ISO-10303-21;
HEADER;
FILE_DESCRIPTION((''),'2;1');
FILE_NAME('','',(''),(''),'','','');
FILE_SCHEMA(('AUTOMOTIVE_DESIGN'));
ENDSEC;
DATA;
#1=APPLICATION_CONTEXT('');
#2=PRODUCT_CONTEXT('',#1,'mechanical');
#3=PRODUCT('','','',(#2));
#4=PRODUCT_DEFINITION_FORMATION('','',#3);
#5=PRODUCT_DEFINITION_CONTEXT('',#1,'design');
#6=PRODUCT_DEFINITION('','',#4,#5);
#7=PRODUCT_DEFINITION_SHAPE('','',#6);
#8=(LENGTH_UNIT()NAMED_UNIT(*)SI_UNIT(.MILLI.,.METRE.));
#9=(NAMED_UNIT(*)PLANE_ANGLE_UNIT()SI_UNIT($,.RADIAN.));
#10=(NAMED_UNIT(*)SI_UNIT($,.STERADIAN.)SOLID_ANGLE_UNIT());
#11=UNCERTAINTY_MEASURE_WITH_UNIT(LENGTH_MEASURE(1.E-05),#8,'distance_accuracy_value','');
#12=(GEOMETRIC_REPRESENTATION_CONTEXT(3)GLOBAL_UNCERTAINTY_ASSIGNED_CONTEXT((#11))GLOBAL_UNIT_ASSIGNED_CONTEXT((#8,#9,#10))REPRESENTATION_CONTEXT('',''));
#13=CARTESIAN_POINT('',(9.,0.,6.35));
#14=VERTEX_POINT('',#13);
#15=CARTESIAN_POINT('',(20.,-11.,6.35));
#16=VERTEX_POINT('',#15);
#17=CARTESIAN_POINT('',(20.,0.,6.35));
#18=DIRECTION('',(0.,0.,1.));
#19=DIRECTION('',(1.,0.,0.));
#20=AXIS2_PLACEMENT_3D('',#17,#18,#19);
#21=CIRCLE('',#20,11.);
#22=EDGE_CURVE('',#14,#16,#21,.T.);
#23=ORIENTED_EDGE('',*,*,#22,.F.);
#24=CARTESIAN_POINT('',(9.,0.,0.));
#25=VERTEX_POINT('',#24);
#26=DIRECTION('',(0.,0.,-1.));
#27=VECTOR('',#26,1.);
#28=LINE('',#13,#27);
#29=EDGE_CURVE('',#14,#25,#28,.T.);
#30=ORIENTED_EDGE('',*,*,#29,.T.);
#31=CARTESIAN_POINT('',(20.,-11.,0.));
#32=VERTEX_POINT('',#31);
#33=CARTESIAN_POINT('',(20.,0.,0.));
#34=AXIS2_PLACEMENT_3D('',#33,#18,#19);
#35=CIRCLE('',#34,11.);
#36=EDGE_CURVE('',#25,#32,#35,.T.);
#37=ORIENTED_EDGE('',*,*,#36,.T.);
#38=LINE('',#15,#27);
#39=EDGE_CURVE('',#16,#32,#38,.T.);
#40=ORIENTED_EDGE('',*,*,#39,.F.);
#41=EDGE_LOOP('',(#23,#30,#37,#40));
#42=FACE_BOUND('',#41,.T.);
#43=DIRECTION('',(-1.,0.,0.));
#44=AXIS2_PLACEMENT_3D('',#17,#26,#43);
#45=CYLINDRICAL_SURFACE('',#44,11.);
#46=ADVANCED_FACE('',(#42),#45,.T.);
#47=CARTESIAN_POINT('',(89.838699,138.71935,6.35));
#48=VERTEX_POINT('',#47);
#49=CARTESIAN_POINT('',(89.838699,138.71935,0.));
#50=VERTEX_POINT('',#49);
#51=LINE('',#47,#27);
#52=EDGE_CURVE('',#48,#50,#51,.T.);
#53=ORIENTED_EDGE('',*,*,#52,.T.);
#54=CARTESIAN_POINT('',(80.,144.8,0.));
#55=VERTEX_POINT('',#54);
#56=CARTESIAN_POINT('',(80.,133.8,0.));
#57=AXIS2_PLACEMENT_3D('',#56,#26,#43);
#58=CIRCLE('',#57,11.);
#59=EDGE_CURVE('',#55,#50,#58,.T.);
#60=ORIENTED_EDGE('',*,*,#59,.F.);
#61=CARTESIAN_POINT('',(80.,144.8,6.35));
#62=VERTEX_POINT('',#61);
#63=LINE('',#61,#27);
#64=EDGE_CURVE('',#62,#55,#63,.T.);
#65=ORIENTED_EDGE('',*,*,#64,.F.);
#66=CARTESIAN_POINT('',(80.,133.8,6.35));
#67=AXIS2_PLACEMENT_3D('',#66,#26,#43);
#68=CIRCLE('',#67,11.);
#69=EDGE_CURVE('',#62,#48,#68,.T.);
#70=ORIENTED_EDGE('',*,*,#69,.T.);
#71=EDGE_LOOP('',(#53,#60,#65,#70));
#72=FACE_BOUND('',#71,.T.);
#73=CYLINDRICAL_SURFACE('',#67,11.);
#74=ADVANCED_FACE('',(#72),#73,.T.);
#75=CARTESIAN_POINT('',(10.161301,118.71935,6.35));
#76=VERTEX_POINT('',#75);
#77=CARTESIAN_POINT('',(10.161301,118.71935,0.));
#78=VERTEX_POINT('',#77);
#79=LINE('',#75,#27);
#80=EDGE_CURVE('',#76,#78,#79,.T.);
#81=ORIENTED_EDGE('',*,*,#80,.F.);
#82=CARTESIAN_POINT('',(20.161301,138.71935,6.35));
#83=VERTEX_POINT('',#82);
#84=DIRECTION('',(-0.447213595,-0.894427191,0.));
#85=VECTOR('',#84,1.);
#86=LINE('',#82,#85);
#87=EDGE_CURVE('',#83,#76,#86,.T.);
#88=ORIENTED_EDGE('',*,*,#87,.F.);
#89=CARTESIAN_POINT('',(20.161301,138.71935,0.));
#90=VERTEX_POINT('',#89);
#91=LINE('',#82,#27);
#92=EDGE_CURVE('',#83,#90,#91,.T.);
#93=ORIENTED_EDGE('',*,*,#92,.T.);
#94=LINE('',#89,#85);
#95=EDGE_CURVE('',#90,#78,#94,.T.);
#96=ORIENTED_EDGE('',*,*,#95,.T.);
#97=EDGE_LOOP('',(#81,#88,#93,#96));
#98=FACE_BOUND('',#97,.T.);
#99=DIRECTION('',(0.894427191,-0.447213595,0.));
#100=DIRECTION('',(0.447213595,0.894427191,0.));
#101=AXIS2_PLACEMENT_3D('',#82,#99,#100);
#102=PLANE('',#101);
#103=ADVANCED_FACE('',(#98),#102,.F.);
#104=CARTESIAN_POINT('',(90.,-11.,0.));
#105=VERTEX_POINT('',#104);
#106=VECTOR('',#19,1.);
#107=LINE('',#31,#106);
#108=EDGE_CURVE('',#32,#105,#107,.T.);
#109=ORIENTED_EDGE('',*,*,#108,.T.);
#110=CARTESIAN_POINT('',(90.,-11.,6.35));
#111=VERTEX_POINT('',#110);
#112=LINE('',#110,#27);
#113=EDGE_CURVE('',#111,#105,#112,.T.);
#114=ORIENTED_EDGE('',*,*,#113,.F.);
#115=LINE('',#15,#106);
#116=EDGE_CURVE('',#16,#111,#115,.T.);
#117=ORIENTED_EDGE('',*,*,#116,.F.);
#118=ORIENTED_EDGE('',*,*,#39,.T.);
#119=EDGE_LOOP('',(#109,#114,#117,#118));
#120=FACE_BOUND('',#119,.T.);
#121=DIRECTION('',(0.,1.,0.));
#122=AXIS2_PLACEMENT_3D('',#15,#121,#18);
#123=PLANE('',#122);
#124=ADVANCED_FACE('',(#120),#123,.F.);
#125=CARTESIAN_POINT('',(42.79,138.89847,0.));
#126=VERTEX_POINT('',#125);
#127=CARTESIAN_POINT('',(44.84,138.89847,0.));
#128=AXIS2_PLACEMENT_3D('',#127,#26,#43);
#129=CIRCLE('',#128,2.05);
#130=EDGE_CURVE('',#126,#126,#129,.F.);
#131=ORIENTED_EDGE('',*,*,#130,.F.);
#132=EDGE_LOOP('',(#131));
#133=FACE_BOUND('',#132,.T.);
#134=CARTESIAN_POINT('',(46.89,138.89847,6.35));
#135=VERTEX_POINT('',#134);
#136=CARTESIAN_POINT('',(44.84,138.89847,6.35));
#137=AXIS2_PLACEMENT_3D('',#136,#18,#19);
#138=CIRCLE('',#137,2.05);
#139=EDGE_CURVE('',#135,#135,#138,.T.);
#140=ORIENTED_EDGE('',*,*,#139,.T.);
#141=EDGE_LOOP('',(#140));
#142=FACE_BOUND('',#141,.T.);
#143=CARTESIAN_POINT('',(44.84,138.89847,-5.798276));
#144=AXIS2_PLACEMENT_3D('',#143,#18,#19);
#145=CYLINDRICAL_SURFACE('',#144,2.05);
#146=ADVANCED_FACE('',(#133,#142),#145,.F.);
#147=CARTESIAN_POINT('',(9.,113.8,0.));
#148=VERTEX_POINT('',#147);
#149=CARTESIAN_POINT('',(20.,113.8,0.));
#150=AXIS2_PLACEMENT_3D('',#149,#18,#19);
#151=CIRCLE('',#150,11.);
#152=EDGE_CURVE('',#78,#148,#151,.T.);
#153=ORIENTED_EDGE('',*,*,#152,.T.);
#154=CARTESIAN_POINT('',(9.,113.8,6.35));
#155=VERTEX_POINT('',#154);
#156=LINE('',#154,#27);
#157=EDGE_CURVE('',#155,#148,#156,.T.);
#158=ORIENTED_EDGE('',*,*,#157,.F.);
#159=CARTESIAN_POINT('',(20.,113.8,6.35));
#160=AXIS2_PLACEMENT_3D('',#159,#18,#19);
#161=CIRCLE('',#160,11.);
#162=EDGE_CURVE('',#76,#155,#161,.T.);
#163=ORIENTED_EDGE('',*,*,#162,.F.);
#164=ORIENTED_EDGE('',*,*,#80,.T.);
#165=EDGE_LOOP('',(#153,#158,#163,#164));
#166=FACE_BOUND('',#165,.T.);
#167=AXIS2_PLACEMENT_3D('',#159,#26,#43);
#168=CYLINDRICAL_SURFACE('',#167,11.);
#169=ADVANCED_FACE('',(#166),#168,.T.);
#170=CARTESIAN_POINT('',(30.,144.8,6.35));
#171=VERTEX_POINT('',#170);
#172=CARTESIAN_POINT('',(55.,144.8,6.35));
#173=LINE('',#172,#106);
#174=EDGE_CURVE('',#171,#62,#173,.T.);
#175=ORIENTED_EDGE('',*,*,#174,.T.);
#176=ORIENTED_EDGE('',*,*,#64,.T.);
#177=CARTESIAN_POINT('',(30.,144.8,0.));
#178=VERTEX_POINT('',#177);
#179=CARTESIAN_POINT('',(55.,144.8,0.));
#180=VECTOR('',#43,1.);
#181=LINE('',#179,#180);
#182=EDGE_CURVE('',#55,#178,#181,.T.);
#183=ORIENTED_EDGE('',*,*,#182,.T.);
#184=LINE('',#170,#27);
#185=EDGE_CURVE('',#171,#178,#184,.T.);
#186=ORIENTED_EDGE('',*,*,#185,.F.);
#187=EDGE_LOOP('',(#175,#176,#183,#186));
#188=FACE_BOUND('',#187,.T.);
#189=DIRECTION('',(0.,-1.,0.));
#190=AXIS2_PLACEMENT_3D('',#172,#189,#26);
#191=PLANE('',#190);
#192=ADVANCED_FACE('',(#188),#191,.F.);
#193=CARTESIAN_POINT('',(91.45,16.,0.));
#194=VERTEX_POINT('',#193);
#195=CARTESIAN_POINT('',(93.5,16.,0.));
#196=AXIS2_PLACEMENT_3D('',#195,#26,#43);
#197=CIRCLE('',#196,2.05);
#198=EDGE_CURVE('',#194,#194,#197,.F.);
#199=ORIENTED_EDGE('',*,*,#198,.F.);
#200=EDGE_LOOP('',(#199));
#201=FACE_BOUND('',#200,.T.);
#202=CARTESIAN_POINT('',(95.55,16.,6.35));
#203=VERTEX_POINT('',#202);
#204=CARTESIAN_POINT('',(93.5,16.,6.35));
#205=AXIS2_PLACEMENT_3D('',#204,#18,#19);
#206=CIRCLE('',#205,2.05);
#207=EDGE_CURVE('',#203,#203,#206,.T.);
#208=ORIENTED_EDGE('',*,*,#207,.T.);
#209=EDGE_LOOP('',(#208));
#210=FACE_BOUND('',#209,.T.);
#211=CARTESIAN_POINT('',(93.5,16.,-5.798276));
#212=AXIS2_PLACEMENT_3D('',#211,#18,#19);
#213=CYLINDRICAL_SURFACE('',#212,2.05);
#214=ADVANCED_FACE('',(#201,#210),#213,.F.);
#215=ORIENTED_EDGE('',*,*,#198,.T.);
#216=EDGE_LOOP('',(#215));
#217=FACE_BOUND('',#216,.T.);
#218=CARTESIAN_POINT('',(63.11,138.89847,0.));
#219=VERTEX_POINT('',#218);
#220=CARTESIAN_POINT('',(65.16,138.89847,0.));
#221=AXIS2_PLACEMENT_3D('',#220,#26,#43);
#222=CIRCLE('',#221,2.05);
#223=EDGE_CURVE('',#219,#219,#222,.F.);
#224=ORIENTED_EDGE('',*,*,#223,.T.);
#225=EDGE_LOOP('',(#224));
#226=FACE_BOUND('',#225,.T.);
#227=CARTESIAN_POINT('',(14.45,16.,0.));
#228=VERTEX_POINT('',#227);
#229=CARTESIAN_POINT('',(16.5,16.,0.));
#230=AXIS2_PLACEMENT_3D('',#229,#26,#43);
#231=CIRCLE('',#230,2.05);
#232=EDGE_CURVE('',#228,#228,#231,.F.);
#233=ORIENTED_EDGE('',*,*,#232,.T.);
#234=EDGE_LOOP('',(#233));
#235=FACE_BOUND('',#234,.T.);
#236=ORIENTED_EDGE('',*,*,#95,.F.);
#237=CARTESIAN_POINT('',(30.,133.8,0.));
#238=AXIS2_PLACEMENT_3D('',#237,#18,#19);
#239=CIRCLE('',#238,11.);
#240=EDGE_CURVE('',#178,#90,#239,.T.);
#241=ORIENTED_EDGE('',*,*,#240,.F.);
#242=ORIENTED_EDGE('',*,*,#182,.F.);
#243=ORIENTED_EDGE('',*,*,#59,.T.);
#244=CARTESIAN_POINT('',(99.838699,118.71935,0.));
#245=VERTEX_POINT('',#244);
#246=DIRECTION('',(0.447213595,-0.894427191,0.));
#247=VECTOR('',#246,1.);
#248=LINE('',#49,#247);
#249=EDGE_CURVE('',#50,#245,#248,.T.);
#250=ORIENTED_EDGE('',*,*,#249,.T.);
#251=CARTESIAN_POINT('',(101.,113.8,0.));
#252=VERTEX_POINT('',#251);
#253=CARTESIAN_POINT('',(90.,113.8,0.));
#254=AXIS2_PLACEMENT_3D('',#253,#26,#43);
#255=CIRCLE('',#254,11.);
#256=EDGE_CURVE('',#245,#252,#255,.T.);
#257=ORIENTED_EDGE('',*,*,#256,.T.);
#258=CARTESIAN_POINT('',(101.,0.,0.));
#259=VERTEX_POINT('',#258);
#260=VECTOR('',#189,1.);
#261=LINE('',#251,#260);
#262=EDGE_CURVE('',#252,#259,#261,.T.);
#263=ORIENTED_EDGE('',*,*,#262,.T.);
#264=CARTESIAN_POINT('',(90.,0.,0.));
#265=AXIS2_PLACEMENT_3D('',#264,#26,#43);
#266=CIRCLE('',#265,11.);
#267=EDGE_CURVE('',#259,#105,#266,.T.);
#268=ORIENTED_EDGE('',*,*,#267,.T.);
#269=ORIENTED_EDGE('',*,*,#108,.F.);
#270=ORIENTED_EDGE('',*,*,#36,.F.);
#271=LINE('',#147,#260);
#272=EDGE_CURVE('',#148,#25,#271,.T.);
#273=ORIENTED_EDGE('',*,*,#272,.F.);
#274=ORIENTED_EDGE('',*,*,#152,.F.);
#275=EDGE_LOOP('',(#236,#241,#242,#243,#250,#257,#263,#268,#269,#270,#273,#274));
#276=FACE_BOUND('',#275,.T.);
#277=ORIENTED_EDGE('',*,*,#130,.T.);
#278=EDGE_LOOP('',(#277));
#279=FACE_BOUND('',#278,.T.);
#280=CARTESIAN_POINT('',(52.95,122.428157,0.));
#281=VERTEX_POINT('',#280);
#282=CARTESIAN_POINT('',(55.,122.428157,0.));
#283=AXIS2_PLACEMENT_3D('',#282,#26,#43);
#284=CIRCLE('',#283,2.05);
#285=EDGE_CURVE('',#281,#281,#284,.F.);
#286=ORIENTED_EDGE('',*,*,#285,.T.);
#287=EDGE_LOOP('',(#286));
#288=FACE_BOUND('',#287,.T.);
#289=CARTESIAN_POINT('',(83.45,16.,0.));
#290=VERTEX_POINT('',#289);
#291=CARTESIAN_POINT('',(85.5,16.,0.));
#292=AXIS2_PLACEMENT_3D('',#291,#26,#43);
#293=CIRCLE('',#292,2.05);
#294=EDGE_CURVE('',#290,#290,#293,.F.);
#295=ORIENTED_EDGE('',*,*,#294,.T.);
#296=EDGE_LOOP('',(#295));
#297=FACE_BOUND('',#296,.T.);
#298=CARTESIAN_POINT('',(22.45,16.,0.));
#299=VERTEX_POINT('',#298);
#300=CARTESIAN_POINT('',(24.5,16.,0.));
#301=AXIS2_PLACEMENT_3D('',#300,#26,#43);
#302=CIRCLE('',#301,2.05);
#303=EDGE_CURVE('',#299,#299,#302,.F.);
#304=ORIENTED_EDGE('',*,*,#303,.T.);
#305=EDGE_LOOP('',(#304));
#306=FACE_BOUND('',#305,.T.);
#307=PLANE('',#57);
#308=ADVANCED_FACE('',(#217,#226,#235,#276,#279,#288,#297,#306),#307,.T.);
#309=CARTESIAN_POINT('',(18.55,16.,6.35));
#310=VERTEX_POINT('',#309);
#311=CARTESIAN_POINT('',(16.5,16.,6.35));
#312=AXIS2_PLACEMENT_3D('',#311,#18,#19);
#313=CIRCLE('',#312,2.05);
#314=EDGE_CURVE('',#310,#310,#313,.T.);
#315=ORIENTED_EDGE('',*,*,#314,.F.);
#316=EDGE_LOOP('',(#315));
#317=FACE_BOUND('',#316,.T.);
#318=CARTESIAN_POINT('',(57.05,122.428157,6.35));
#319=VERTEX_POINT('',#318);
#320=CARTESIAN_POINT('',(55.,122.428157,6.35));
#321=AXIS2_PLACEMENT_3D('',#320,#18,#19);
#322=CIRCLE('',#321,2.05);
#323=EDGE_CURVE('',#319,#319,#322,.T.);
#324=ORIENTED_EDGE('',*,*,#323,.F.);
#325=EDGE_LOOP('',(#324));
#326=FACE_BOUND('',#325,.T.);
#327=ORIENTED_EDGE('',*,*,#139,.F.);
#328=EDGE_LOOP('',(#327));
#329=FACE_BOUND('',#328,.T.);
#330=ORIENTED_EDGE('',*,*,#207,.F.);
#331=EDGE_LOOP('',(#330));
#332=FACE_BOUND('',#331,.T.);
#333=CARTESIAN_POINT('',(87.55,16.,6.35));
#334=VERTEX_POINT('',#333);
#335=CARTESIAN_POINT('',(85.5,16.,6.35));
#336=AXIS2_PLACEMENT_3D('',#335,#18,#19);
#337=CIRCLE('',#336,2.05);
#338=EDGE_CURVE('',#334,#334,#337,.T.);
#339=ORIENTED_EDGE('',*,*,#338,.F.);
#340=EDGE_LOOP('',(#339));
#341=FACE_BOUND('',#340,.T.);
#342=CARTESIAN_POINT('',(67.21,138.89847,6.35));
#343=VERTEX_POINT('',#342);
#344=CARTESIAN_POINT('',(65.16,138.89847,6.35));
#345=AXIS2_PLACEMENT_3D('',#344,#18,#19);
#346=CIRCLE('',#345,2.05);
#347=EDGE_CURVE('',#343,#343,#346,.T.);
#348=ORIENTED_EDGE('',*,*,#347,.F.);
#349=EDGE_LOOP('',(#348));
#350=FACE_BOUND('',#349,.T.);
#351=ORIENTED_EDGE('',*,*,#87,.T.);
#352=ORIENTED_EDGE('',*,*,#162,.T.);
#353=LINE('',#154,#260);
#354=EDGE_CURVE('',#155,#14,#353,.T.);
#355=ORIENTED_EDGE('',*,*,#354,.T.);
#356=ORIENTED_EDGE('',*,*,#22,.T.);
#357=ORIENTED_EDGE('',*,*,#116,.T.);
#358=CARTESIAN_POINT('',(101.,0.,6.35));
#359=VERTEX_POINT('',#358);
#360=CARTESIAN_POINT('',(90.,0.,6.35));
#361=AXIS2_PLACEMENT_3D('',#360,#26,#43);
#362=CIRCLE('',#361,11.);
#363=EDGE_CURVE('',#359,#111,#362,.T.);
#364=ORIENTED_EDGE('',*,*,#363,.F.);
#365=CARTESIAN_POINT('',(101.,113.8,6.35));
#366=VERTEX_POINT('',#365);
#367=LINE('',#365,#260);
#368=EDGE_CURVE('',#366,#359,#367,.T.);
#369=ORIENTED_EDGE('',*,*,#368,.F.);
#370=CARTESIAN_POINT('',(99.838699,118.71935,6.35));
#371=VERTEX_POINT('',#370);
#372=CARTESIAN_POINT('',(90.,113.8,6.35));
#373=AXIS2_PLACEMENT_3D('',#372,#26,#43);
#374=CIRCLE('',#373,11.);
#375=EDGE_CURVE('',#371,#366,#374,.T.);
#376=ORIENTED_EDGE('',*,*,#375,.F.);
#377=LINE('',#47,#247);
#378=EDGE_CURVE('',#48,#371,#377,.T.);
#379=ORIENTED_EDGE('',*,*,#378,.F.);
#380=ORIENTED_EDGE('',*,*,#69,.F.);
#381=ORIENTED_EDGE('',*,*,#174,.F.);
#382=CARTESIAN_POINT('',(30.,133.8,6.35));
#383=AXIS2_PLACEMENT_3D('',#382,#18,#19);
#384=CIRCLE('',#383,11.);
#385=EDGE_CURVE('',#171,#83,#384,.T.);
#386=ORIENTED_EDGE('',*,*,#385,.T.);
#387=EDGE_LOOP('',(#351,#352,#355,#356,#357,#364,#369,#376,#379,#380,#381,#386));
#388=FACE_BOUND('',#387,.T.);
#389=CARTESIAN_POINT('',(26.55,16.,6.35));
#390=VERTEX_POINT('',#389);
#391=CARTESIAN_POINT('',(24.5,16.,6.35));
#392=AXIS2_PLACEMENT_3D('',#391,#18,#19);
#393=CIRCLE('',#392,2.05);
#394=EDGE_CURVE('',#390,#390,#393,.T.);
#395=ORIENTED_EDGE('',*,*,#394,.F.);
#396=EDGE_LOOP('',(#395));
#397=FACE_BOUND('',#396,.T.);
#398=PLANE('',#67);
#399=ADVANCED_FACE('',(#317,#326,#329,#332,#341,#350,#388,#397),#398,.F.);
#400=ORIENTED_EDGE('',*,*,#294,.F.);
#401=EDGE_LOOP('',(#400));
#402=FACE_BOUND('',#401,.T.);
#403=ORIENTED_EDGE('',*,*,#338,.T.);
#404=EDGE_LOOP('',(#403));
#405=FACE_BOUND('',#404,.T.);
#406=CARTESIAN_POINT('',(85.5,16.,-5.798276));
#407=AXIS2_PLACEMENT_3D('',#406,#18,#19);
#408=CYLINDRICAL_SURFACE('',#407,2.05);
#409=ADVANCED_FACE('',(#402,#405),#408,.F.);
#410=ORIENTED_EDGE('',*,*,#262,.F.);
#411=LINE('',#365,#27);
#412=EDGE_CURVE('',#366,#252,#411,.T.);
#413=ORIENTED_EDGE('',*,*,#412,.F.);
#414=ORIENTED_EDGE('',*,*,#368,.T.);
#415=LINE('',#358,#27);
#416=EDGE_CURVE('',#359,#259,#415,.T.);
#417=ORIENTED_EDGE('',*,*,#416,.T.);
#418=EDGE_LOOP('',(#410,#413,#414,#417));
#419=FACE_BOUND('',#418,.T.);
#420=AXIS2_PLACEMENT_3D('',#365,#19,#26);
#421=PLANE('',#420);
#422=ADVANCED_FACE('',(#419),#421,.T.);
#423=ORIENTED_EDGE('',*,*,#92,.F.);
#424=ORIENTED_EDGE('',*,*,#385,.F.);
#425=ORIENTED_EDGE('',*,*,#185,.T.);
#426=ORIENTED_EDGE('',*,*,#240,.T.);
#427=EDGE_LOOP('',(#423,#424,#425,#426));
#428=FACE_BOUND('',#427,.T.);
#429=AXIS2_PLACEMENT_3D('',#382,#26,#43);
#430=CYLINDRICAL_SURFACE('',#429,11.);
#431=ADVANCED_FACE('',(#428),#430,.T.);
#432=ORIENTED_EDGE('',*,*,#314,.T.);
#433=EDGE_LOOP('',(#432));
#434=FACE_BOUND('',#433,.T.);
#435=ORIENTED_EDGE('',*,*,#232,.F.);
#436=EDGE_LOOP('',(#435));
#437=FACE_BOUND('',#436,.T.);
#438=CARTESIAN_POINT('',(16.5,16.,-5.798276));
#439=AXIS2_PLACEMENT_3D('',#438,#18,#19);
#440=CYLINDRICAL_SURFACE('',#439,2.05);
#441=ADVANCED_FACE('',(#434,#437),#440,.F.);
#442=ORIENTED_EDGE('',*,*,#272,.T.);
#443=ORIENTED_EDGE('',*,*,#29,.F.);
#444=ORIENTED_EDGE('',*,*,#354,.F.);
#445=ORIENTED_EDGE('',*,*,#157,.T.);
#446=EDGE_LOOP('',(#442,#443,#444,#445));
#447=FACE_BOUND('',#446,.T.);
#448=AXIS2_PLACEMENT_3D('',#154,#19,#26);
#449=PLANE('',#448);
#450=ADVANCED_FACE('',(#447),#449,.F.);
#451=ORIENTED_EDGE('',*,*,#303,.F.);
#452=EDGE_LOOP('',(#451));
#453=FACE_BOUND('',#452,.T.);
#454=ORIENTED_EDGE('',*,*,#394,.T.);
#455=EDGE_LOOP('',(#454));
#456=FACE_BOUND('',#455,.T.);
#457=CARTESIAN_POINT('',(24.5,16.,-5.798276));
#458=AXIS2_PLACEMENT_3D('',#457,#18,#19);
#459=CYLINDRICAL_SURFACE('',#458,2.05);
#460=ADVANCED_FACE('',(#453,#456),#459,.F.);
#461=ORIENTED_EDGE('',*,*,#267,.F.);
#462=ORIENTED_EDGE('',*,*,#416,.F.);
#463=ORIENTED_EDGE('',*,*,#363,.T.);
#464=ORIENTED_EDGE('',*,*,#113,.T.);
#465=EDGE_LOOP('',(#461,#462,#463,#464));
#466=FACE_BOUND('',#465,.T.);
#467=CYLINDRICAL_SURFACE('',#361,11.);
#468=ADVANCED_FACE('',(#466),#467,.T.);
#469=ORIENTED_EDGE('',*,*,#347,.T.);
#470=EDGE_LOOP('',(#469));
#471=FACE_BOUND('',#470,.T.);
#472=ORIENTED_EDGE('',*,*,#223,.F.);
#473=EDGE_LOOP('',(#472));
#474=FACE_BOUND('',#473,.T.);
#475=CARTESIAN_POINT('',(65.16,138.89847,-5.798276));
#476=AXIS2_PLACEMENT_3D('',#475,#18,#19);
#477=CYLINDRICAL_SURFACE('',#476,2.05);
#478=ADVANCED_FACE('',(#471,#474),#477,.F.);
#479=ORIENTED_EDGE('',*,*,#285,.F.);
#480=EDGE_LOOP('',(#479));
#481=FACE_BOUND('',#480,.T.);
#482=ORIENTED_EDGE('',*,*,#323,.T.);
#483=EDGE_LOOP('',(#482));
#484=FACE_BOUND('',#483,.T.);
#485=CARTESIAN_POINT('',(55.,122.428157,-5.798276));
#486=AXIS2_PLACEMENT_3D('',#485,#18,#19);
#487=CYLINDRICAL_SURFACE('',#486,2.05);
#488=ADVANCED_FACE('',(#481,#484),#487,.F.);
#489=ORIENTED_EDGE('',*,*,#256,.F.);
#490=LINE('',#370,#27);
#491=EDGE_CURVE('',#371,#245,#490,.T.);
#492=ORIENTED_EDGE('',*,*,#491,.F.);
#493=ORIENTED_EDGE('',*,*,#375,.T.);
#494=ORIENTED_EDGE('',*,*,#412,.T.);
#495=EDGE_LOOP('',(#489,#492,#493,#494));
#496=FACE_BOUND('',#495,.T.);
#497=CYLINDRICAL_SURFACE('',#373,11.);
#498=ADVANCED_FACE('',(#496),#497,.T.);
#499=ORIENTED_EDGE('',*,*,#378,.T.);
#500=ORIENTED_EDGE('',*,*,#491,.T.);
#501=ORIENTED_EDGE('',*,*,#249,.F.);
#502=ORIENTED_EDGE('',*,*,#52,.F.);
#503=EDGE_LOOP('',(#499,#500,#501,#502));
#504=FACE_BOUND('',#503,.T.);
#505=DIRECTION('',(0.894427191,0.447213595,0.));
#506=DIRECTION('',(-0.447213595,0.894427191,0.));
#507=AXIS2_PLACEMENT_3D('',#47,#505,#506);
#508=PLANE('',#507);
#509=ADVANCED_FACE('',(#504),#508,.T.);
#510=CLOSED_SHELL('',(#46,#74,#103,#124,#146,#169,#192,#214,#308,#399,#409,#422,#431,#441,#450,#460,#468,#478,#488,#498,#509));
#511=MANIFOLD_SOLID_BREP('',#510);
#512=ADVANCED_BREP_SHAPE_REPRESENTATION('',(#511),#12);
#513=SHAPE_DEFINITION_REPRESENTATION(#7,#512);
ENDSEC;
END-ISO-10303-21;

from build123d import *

# Parameters (mm, degrees)
BOSS_EXTRUDE1_DEPTH = 6.35
SKETCH2_R           = 2.05
CUT_EXTRUDE1_DEPTH  = 6.35


with BuildPart() as part:
    # Sketch1 → Boss-Extrude1 (new body)
    with BuildSketch(Plane.XY):
        with BuildLine():
            Line((55, 144.8), (30, 144.8))
            ThreePointArc((30, 144.8), (24.216957767, 143.157158892), (20.161300899, 138.71934955))
            Line((20.161300899, 138.71934955), (10.161300899, 118.71934955))
            ThreePointArc((10.161300899, 118.71934955), (9.294261116, 116.327282126), (9, 113.8))
            Line((9, 113.8), (9, 0))
            ThreePointArc((9, 0), (12.221825407, -7.778174593), (20, -11))
            Line((20, -11), (90, -11))
            ThreePointArc((90, -11), (97.778174593, -7.778174593), (101, 0))
            Line((101, 0), (101, 113.8))
            ThreePointArc((101, 113.8), (100.705738884, 116.327282126), (99.838699101, 118.71934955))
            Line((99.838699101, 118.71934955), (89.838699101, 138.71934955))
            ThreePointArc((89.838699101, 138.71934955), (85.783042233, 143.157158892), (80, 144.8))
            Line((80, 144.8), (55, 144.8))
        make_face()
    extrude(amount=BOSS_EXTRUDE1_DEPTH)

    # Sketch2 → Cut-Extrude1 (cut)
    with BuildSketch(Plane.XY.offset(6.35)):
        with Locations((16.5, 16)):
            Circle(SKETCH2_R)
        with Locations((24.5, 16)):
            Circle(SKETCH2_R)
        with Locations((85.5, 16)):
            Circle(SKETCH2_R)
        with Locations((93.5, 16)):
            Circle(SKETCH2_R)
        with Locations((44.84, 138.898469816)):
            Circle(SKETCH2_R)
        with Locations((55, 122.428157316)):
            Circle(SKETCH2_R)
        with Locations((65.16, 138.898469816)):
            Circle(SKETCH2_R)
    extrude(amount=-CUT_EXTRUDE1_DEPTH, mode=Mode.SUBTRACT)


solid = part.part
